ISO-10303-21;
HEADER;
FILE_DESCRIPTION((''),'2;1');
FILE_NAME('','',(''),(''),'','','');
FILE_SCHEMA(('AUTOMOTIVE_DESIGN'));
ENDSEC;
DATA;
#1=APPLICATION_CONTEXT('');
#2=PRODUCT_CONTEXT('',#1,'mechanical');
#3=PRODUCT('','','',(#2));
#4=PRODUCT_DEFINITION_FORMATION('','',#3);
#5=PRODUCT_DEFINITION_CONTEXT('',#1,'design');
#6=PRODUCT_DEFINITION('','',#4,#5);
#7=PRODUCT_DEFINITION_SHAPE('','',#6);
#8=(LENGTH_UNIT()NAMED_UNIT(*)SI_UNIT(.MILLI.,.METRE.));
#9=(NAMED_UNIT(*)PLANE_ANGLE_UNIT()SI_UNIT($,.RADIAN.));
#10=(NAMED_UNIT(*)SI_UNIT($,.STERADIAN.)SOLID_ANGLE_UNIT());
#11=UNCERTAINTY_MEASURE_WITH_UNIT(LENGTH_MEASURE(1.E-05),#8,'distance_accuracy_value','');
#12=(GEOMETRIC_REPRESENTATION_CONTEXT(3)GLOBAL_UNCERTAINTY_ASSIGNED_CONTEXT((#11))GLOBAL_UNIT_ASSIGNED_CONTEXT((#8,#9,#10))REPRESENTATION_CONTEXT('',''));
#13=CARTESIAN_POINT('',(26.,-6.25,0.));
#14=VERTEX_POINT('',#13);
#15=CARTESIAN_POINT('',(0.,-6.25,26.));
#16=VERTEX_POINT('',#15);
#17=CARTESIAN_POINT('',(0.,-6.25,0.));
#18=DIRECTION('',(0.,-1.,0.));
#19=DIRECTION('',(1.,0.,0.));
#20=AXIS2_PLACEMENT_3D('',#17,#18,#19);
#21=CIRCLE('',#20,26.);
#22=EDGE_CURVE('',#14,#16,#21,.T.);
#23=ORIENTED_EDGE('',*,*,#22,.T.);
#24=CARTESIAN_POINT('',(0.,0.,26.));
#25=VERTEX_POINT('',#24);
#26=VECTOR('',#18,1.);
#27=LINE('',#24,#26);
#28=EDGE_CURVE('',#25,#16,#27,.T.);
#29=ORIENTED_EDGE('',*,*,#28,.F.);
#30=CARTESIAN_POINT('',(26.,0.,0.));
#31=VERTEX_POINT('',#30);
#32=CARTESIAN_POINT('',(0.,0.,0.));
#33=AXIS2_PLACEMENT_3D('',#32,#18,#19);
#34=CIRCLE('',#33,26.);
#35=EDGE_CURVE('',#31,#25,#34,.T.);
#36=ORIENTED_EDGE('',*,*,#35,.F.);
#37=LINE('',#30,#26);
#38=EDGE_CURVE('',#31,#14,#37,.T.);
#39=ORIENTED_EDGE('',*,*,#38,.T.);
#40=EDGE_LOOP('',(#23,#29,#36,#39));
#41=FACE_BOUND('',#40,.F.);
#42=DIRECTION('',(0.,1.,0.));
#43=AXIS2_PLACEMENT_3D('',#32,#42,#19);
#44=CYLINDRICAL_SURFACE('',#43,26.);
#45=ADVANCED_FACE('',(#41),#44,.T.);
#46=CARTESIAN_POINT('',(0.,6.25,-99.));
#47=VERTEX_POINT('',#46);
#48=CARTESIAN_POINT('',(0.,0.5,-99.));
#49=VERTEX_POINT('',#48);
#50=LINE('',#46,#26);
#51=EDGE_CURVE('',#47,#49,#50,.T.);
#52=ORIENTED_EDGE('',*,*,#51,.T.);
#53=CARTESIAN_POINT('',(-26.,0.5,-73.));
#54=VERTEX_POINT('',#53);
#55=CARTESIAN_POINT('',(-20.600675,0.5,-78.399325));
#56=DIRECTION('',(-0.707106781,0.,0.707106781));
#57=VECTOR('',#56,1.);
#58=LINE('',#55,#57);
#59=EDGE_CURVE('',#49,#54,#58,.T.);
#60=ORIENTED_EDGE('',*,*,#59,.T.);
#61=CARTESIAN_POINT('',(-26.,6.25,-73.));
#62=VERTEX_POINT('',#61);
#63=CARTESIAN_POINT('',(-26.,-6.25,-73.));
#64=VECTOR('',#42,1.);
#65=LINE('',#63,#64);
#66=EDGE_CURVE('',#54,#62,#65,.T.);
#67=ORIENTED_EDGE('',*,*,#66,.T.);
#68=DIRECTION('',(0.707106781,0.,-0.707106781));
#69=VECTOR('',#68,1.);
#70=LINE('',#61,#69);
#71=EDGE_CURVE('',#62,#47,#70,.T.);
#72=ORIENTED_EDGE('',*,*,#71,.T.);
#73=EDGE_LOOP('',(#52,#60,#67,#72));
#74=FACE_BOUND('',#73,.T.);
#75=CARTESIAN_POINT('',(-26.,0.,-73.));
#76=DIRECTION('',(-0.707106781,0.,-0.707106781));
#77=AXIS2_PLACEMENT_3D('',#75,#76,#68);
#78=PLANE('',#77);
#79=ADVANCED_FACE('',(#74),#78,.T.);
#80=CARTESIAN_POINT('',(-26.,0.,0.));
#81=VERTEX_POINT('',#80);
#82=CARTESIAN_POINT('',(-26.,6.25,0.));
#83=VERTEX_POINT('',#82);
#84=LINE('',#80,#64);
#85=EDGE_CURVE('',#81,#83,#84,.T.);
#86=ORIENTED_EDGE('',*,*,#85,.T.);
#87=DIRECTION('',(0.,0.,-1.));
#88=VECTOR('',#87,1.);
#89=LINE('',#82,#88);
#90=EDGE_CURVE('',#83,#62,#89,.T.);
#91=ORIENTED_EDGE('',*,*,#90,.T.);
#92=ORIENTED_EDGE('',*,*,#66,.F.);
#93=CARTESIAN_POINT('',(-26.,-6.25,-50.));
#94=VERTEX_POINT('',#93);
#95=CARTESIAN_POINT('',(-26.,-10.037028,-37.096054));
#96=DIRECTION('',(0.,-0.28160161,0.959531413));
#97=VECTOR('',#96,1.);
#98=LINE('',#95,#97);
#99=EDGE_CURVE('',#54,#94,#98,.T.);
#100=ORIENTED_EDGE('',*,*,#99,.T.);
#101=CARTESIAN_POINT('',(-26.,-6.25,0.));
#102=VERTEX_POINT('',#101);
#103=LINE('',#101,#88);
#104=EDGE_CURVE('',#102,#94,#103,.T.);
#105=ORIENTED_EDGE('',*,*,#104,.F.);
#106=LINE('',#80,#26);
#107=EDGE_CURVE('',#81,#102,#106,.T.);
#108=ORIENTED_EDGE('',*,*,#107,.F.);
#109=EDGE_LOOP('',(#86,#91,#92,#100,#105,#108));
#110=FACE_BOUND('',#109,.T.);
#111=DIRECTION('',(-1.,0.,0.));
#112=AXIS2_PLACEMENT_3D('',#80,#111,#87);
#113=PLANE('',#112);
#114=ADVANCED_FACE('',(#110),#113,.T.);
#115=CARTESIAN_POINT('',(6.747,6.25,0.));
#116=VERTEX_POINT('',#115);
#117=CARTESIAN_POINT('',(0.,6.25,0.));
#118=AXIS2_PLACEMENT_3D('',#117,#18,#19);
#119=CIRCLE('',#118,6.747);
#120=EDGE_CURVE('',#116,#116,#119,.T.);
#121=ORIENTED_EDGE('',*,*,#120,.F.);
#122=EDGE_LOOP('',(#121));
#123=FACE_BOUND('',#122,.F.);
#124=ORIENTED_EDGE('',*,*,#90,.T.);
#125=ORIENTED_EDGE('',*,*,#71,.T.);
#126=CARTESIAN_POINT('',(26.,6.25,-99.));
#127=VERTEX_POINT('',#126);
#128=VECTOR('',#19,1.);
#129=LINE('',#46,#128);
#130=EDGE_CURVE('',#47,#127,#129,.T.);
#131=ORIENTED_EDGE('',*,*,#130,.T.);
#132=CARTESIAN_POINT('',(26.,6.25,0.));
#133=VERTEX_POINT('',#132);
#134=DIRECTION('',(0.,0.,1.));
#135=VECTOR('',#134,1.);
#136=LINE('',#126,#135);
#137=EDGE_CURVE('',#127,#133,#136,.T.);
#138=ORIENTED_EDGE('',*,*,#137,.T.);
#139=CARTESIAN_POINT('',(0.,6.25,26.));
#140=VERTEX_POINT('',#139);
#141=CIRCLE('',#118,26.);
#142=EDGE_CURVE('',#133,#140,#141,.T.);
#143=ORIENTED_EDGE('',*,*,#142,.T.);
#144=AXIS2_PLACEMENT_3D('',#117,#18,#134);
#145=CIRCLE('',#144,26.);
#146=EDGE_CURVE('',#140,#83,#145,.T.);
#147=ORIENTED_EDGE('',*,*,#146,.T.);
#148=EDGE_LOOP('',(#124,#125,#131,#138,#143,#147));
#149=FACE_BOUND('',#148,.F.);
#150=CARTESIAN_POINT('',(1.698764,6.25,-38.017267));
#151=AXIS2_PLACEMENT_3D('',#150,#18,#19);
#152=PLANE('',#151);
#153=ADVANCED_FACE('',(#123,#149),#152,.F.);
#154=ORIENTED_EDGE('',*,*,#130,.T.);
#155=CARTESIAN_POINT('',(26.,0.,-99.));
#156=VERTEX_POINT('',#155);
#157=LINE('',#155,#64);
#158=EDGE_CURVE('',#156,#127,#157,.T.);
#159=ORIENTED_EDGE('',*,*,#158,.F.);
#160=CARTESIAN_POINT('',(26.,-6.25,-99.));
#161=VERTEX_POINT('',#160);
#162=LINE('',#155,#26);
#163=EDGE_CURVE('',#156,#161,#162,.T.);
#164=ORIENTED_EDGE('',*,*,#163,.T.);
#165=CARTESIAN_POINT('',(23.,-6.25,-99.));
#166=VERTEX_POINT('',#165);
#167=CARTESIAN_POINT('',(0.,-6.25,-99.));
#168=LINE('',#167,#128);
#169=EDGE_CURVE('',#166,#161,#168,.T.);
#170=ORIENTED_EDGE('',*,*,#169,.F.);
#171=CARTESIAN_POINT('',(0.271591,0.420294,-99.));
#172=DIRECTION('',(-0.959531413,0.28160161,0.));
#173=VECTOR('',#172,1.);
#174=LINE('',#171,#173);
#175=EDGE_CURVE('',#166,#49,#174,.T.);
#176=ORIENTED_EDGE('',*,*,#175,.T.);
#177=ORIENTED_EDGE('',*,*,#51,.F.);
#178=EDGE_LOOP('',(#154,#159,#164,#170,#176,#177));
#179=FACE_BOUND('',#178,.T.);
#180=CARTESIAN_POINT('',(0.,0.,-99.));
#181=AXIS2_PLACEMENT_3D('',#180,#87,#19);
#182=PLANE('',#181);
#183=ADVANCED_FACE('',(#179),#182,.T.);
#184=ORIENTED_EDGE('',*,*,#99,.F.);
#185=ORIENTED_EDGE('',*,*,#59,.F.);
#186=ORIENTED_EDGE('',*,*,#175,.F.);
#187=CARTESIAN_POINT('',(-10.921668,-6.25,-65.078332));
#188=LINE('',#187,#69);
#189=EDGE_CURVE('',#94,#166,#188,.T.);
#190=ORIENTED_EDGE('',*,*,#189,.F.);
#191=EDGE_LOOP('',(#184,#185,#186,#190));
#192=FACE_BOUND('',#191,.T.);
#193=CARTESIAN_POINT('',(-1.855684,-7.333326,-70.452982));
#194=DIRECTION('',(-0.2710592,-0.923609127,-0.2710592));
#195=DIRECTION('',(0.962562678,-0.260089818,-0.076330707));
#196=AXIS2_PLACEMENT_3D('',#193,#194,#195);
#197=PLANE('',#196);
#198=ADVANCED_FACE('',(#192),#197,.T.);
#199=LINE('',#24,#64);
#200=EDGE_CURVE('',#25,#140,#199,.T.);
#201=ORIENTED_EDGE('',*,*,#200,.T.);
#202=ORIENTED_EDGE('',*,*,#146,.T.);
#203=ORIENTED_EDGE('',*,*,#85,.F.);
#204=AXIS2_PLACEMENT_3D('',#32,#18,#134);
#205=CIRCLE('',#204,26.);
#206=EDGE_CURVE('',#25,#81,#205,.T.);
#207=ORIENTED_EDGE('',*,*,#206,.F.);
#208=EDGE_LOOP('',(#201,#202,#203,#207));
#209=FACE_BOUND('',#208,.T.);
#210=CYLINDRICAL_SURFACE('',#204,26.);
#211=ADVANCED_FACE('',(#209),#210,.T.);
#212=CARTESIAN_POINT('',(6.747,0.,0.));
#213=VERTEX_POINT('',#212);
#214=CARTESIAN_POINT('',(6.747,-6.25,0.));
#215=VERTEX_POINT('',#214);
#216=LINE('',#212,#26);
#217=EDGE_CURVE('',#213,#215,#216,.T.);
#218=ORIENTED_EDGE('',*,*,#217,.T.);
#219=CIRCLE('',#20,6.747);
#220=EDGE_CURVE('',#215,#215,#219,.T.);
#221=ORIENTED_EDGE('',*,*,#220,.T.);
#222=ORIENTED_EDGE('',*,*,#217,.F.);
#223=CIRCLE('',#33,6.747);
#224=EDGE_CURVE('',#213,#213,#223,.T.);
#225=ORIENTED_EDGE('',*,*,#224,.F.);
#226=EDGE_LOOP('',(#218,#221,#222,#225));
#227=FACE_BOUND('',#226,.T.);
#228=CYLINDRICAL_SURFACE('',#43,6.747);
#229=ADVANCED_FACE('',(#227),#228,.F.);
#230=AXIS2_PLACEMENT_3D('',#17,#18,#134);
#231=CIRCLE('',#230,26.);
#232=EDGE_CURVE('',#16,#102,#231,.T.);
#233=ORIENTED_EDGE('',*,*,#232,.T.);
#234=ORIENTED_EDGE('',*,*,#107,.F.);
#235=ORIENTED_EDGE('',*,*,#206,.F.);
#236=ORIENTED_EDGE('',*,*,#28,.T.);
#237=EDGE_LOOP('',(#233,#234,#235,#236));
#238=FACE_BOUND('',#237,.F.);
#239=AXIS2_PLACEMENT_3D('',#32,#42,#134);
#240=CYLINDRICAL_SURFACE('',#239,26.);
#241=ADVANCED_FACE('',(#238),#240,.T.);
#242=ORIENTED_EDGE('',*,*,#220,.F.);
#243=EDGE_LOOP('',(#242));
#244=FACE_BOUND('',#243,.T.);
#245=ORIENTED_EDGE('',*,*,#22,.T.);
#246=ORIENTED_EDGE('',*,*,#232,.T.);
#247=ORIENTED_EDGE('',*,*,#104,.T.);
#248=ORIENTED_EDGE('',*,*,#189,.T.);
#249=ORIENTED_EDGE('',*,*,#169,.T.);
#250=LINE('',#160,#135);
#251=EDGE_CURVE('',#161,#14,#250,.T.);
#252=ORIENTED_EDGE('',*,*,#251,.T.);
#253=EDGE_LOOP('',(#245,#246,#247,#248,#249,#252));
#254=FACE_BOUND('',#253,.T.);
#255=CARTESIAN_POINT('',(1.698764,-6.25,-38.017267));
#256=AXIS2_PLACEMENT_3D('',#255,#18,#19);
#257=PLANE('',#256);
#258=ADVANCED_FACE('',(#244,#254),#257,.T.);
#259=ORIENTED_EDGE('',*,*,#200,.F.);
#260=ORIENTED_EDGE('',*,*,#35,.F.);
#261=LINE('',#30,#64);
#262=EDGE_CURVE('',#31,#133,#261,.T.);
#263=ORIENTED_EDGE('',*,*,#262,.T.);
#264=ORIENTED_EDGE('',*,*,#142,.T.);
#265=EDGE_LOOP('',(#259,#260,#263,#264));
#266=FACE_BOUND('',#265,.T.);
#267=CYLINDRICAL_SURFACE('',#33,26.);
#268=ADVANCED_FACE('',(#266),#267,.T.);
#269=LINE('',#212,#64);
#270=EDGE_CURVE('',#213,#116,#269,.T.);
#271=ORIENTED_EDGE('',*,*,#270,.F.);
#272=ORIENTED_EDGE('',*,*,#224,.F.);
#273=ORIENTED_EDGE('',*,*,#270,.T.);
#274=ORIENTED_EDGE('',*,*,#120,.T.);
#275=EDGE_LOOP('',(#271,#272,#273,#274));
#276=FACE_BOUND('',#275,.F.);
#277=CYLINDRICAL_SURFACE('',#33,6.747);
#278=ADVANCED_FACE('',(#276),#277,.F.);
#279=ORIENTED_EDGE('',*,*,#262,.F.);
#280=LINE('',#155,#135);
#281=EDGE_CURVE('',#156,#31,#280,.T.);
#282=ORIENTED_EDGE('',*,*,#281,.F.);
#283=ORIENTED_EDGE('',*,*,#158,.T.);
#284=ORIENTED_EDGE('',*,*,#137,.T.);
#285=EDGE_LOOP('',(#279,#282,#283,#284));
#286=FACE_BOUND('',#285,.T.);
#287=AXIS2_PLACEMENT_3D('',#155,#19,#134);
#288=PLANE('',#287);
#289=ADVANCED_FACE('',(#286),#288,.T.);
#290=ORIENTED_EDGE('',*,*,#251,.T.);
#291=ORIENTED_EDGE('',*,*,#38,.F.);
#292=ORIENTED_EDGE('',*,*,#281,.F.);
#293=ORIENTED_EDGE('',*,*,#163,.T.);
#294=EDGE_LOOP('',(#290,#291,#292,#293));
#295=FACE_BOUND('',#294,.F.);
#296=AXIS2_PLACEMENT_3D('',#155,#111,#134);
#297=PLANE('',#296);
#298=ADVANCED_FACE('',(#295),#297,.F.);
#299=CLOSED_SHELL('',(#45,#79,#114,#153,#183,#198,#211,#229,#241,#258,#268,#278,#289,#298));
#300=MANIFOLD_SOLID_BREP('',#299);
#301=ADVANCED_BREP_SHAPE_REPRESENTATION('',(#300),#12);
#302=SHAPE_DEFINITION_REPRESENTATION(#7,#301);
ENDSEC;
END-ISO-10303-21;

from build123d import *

# Parameters (mm, degrees)
F0_R     = 6.747
F1_DEPTH = 6.25
F6_W     = 58.4241002798
F6_H     = 61.8526525795
F7_DEPTH = 25


with BuildPart() as f1:
    # F0 (on Front) → F1 (new body, symmetric)
    with BuildSketch(Plane.XZ):
        with BuildLine():
            Line((-26, -73), (0, -99))
            Line((0, -99), (26, -99))
            Line((26, -99), (26, 0))
            ThreePointArc((26, 0), (18.3847763109, 18.3847763109), (0, 26))
            ThreePointArc((0, 26), (-18.3847763109, 18.3847763109), (-26, 0))
            Line((-26, 0), (-26, -73))
        make_face()
        Circle(F0_R, mode=Mode.SUBTRACT)
    extrude(amount=F1_DEPTH, both=True)

    # F6 (on 3pt) → F7 (cut)
    with BuildSketch(Plane(origin=(-7.1486595444, -24.3583954848, -7.1486595444), x_dir=(0.9625626784, -0.2600898176, -0.0763307073), z_dir=(-0.2710592004, -0.9236091272, -0.2710592004))):
        with Locations((5.4988376796, -65.5367728323)):
            Rectangle(F6_W, F6_H)
    extrude(amount=F7_DEPTH, mode=Mode.SUBTRACT)


solid = f1.part
